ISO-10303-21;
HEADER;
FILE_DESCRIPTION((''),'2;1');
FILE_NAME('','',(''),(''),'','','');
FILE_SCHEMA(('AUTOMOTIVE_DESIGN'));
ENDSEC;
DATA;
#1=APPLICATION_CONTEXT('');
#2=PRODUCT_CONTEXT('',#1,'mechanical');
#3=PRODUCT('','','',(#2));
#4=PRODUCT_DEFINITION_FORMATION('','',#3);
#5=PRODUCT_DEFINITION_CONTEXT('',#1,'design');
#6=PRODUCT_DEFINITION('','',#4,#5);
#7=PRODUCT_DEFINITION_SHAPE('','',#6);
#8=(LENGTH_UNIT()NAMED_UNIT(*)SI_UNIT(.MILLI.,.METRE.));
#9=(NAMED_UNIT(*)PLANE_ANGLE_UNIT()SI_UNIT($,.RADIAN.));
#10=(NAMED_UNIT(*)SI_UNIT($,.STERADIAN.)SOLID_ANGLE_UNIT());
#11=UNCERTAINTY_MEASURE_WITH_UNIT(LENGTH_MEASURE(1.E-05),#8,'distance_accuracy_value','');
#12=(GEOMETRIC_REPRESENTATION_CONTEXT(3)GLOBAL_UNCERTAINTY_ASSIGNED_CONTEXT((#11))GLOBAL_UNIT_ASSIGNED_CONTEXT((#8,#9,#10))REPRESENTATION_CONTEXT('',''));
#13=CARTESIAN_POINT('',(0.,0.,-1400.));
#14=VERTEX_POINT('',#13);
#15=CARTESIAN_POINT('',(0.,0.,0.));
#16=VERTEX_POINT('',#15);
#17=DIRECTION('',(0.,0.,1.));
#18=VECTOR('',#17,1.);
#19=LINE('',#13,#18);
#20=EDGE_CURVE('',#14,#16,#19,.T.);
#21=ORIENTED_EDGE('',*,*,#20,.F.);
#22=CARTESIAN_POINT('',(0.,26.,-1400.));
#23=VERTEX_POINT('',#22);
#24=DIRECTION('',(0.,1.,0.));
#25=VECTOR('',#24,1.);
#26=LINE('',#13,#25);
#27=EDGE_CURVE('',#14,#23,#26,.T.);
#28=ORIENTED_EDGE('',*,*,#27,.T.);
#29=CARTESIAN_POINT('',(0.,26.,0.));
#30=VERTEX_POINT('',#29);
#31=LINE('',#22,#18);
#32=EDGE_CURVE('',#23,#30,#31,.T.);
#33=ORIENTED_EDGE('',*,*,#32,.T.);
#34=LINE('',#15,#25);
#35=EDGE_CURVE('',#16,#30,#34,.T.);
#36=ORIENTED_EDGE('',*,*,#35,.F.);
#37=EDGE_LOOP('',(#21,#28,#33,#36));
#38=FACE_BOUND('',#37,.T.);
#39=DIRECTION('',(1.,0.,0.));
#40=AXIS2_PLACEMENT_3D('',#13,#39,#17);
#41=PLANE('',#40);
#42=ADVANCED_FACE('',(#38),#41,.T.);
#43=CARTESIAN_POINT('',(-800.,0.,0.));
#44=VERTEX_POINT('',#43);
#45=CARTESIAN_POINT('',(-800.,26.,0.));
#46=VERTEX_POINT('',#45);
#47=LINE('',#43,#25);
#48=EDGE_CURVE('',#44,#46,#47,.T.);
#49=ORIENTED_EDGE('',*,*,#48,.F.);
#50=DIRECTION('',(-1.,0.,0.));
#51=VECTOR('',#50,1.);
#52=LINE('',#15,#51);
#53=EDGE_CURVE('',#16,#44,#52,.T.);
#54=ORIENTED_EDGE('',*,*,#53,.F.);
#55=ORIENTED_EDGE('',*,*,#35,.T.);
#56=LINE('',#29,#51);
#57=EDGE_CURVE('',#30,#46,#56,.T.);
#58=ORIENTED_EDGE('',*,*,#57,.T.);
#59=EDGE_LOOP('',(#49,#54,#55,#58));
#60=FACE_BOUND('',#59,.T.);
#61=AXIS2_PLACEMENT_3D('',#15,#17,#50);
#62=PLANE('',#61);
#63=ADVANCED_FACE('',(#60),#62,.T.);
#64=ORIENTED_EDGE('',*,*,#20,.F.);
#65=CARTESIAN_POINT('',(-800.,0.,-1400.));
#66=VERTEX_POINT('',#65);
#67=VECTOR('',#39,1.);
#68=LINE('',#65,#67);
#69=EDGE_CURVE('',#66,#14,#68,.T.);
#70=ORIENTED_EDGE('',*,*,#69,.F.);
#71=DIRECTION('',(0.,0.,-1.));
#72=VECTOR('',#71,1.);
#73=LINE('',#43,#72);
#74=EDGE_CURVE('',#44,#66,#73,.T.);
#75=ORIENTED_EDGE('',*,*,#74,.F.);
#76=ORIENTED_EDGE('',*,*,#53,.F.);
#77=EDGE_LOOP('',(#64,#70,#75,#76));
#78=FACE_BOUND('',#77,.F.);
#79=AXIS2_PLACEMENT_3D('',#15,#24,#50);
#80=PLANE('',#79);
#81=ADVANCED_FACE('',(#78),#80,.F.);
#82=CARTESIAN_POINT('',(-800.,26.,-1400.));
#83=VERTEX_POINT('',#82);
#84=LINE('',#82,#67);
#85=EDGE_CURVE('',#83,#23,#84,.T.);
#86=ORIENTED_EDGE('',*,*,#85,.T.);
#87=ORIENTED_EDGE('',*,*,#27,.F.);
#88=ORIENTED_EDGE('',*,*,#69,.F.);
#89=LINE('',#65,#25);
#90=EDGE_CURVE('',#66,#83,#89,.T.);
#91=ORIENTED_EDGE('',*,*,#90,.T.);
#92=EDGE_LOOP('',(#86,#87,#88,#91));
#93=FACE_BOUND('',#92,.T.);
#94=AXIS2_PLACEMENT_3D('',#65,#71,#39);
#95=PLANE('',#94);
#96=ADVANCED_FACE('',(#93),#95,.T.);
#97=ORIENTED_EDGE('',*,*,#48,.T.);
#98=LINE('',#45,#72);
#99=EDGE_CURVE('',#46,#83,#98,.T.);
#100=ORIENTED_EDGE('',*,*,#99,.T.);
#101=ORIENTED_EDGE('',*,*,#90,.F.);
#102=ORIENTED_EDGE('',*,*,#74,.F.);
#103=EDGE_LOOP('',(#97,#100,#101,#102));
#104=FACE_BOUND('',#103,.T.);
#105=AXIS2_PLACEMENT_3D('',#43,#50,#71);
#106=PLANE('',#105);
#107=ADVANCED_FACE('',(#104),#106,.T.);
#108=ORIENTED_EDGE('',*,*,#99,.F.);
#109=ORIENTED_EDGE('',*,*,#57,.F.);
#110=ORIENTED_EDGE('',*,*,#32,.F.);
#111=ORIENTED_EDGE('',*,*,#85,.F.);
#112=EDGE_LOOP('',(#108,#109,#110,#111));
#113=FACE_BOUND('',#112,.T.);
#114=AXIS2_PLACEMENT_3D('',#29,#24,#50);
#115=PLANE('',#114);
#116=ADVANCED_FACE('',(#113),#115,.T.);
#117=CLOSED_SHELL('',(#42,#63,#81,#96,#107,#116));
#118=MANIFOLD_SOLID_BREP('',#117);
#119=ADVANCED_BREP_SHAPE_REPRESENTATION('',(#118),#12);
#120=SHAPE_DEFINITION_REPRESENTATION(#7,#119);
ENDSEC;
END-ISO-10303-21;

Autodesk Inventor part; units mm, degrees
ref_plane "YZ Plane" through (0, 0, 0) normal (1, 0, 0) x (0, 1, 0)
ref_plane "XZ Plane" through (0, 0, 0) normal (0, 1, 0) x (-1, 0, 0)
ref_plane "XY Plane" through (0, 0, 0) normal (0, 0, 1) x (1, 0, 0)
sketch "Sketch1" plane through (0, 0, 0) normal (0, 1, 0) x (-1, 0, 0)
  line L0 (0, 0) -> (800, 0)
  line L1 (800, 0) -> (800, -1400)
  line L2 (800, -1400) -> (0, -1400)
  line L3 (0, -1400) -> (0, 0)
  dimension "d0" = 800
  dimension "d1" = 1400
extrude "Extrusion1" add sketch "Sketch1" along normal blind 26
properties part number "tabletop" material "Walnut"
